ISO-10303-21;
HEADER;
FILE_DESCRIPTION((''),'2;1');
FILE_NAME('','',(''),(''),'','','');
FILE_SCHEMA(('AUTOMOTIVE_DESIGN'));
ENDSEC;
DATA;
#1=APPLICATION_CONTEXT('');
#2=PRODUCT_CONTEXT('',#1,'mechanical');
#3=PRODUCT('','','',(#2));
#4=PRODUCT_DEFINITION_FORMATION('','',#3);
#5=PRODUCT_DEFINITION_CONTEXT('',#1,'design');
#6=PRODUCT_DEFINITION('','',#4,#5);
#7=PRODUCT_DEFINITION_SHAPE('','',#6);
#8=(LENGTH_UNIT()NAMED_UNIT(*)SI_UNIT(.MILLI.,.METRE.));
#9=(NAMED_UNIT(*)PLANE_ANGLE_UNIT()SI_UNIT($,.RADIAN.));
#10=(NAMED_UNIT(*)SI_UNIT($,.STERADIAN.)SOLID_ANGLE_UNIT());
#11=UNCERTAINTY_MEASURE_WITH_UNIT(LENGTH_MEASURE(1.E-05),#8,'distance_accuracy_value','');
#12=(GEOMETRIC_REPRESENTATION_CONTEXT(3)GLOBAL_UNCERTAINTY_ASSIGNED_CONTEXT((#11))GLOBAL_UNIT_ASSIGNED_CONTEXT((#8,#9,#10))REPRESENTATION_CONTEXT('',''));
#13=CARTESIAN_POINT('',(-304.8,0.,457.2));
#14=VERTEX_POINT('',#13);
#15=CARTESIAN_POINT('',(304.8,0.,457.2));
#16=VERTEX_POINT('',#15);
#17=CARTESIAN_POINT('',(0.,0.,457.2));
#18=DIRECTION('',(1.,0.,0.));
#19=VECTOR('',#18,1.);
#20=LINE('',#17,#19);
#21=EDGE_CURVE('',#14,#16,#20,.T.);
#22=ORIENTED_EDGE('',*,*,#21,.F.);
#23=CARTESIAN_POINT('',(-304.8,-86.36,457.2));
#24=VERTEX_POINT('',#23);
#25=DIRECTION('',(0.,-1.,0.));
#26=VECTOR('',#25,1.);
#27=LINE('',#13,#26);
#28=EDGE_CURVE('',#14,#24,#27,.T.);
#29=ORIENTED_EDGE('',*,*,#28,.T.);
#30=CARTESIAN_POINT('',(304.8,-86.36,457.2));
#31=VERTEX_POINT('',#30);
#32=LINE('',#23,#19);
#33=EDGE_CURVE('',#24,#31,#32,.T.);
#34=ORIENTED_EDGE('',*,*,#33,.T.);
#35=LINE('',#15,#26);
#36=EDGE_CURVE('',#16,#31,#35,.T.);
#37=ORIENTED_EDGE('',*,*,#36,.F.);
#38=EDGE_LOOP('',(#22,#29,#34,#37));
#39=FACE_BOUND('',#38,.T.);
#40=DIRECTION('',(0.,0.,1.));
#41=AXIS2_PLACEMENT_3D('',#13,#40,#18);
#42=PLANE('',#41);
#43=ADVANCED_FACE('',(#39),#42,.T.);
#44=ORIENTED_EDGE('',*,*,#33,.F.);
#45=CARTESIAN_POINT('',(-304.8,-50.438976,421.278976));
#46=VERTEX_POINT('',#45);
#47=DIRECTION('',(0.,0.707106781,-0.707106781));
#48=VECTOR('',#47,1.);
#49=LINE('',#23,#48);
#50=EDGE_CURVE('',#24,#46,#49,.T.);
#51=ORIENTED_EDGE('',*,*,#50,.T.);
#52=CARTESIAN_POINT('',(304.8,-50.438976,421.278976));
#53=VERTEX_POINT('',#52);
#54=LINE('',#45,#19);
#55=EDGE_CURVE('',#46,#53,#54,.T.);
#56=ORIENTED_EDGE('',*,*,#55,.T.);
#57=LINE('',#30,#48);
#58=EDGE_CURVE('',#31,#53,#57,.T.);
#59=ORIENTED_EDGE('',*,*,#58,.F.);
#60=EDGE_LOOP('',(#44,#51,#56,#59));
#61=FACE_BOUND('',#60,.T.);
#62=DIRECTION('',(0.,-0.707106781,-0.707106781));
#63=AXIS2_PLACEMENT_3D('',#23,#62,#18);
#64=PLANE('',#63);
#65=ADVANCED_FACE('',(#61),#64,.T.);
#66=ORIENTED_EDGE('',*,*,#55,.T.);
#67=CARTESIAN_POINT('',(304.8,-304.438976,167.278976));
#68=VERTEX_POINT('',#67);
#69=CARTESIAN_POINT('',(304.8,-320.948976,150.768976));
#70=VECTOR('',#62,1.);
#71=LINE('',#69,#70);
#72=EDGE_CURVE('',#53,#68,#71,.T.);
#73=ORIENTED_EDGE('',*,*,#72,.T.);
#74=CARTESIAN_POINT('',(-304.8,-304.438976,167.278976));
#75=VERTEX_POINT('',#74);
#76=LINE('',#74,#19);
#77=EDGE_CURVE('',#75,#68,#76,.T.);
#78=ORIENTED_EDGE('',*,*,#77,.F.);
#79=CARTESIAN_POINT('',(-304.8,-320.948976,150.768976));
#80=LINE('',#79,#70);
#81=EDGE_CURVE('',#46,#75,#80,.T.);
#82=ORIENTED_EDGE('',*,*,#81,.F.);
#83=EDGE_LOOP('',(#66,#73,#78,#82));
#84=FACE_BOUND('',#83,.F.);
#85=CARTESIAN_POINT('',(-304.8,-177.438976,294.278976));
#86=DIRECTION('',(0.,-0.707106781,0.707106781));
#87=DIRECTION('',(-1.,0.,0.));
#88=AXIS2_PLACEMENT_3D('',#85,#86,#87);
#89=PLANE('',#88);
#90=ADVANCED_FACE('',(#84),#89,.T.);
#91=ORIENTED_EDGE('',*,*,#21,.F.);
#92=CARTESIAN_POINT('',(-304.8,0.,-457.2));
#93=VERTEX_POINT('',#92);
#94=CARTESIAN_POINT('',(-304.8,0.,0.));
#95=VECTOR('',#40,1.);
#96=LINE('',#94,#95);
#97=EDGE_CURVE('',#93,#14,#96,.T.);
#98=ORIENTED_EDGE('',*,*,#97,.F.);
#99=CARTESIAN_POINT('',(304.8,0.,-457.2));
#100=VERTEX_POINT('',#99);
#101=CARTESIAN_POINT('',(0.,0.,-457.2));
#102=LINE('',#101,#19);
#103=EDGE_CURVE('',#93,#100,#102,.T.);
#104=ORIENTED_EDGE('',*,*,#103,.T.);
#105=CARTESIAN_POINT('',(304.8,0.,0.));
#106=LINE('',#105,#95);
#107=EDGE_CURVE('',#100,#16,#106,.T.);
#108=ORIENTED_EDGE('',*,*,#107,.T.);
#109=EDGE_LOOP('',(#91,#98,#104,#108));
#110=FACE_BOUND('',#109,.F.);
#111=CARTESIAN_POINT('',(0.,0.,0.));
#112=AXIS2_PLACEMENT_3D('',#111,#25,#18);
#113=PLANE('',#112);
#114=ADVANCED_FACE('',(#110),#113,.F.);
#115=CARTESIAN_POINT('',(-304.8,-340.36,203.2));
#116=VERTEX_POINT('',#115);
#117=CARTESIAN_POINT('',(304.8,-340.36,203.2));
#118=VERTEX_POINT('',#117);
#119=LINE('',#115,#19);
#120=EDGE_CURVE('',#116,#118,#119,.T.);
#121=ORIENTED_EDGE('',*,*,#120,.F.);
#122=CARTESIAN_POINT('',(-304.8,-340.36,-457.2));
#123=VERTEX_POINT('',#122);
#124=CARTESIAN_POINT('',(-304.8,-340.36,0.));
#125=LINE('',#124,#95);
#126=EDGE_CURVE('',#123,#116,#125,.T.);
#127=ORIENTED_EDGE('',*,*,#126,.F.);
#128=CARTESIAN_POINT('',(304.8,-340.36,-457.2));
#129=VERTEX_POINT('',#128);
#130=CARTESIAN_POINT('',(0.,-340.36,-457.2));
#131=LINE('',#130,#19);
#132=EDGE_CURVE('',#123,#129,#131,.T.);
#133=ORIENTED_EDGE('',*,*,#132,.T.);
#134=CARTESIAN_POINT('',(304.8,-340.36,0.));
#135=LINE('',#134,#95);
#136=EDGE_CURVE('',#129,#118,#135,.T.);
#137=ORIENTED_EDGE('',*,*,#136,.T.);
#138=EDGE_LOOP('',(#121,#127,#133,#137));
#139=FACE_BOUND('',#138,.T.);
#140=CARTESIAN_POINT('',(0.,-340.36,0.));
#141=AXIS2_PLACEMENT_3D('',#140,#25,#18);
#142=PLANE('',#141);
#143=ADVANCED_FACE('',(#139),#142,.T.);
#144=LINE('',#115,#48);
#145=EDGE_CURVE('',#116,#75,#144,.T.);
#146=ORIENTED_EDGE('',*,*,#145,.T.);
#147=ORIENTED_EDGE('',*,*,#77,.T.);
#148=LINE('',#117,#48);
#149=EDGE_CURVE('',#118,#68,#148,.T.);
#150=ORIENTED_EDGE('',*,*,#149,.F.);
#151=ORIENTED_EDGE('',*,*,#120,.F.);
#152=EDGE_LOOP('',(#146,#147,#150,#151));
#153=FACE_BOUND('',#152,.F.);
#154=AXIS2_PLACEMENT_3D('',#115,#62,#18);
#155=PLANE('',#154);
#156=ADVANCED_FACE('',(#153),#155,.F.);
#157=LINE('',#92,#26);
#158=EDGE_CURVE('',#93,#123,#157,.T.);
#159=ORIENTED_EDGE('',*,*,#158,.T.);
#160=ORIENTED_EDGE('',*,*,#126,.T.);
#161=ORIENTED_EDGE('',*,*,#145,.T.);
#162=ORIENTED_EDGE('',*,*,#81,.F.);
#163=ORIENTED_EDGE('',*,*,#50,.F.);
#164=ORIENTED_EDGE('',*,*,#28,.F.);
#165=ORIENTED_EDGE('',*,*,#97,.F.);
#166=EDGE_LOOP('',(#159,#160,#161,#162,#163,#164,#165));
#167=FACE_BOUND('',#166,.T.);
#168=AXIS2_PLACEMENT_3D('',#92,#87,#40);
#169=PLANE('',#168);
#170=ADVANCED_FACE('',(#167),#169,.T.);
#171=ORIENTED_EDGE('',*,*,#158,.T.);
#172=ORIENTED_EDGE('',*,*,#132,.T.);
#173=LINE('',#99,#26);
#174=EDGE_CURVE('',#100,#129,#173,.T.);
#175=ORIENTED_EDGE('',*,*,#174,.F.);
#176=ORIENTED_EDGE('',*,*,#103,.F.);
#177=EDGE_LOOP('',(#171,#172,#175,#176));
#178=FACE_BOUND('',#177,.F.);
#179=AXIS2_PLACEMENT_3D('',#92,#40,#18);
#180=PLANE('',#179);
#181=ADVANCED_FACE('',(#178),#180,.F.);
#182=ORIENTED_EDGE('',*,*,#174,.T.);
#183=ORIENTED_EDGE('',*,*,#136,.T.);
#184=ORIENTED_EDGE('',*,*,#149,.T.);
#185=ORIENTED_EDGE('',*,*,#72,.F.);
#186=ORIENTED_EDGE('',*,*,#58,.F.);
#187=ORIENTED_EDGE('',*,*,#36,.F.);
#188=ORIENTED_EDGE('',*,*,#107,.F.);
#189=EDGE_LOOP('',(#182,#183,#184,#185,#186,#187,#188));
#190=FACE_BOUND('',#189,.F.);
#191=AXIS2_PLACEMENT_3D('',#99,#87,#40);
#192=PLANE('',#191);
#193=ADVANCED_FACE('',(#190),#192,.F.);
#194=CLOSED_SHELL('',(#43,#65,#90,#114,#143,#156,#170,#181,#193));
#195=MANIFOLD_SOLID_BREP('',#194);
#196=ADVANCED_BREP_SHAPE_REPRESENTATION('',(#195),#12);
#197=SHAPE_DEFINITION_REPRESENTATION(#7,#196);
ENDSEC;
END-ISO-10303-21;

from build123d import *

# Parameters (mm, degrees)
F0_W     = 609.6
F0_H     = 914.4
F1_DEPTH = 340.36
F2_SIZE  = 254
F3_DEPTH = 50.8


with BuildPart() as f1:
    # F0 (on Front) → F1 (new body)
    with BuildSketch(Plane.XZ):
        Rectangle(F0_W, F0_H)
    extrude(amount=F1_DEPTH)

    # F2
    f2_edges = [f1.edges().sort_by_distance(p)[0] for p in [
        (0, -340.36, 457.2),
    ]]
    chamfer(f2_edges, length=F2_SIZE)

    # F3 (cut): a face of the model
    f3_faces = [f1.faces().sort_by_distance(p)[0] for p in [
        (0, -213.36, 330.2),
    ]]
    extrude(f3_faces, amount=-F3_DEPTH, mode=Mode.SUBTRACT)


solid = f1.part
